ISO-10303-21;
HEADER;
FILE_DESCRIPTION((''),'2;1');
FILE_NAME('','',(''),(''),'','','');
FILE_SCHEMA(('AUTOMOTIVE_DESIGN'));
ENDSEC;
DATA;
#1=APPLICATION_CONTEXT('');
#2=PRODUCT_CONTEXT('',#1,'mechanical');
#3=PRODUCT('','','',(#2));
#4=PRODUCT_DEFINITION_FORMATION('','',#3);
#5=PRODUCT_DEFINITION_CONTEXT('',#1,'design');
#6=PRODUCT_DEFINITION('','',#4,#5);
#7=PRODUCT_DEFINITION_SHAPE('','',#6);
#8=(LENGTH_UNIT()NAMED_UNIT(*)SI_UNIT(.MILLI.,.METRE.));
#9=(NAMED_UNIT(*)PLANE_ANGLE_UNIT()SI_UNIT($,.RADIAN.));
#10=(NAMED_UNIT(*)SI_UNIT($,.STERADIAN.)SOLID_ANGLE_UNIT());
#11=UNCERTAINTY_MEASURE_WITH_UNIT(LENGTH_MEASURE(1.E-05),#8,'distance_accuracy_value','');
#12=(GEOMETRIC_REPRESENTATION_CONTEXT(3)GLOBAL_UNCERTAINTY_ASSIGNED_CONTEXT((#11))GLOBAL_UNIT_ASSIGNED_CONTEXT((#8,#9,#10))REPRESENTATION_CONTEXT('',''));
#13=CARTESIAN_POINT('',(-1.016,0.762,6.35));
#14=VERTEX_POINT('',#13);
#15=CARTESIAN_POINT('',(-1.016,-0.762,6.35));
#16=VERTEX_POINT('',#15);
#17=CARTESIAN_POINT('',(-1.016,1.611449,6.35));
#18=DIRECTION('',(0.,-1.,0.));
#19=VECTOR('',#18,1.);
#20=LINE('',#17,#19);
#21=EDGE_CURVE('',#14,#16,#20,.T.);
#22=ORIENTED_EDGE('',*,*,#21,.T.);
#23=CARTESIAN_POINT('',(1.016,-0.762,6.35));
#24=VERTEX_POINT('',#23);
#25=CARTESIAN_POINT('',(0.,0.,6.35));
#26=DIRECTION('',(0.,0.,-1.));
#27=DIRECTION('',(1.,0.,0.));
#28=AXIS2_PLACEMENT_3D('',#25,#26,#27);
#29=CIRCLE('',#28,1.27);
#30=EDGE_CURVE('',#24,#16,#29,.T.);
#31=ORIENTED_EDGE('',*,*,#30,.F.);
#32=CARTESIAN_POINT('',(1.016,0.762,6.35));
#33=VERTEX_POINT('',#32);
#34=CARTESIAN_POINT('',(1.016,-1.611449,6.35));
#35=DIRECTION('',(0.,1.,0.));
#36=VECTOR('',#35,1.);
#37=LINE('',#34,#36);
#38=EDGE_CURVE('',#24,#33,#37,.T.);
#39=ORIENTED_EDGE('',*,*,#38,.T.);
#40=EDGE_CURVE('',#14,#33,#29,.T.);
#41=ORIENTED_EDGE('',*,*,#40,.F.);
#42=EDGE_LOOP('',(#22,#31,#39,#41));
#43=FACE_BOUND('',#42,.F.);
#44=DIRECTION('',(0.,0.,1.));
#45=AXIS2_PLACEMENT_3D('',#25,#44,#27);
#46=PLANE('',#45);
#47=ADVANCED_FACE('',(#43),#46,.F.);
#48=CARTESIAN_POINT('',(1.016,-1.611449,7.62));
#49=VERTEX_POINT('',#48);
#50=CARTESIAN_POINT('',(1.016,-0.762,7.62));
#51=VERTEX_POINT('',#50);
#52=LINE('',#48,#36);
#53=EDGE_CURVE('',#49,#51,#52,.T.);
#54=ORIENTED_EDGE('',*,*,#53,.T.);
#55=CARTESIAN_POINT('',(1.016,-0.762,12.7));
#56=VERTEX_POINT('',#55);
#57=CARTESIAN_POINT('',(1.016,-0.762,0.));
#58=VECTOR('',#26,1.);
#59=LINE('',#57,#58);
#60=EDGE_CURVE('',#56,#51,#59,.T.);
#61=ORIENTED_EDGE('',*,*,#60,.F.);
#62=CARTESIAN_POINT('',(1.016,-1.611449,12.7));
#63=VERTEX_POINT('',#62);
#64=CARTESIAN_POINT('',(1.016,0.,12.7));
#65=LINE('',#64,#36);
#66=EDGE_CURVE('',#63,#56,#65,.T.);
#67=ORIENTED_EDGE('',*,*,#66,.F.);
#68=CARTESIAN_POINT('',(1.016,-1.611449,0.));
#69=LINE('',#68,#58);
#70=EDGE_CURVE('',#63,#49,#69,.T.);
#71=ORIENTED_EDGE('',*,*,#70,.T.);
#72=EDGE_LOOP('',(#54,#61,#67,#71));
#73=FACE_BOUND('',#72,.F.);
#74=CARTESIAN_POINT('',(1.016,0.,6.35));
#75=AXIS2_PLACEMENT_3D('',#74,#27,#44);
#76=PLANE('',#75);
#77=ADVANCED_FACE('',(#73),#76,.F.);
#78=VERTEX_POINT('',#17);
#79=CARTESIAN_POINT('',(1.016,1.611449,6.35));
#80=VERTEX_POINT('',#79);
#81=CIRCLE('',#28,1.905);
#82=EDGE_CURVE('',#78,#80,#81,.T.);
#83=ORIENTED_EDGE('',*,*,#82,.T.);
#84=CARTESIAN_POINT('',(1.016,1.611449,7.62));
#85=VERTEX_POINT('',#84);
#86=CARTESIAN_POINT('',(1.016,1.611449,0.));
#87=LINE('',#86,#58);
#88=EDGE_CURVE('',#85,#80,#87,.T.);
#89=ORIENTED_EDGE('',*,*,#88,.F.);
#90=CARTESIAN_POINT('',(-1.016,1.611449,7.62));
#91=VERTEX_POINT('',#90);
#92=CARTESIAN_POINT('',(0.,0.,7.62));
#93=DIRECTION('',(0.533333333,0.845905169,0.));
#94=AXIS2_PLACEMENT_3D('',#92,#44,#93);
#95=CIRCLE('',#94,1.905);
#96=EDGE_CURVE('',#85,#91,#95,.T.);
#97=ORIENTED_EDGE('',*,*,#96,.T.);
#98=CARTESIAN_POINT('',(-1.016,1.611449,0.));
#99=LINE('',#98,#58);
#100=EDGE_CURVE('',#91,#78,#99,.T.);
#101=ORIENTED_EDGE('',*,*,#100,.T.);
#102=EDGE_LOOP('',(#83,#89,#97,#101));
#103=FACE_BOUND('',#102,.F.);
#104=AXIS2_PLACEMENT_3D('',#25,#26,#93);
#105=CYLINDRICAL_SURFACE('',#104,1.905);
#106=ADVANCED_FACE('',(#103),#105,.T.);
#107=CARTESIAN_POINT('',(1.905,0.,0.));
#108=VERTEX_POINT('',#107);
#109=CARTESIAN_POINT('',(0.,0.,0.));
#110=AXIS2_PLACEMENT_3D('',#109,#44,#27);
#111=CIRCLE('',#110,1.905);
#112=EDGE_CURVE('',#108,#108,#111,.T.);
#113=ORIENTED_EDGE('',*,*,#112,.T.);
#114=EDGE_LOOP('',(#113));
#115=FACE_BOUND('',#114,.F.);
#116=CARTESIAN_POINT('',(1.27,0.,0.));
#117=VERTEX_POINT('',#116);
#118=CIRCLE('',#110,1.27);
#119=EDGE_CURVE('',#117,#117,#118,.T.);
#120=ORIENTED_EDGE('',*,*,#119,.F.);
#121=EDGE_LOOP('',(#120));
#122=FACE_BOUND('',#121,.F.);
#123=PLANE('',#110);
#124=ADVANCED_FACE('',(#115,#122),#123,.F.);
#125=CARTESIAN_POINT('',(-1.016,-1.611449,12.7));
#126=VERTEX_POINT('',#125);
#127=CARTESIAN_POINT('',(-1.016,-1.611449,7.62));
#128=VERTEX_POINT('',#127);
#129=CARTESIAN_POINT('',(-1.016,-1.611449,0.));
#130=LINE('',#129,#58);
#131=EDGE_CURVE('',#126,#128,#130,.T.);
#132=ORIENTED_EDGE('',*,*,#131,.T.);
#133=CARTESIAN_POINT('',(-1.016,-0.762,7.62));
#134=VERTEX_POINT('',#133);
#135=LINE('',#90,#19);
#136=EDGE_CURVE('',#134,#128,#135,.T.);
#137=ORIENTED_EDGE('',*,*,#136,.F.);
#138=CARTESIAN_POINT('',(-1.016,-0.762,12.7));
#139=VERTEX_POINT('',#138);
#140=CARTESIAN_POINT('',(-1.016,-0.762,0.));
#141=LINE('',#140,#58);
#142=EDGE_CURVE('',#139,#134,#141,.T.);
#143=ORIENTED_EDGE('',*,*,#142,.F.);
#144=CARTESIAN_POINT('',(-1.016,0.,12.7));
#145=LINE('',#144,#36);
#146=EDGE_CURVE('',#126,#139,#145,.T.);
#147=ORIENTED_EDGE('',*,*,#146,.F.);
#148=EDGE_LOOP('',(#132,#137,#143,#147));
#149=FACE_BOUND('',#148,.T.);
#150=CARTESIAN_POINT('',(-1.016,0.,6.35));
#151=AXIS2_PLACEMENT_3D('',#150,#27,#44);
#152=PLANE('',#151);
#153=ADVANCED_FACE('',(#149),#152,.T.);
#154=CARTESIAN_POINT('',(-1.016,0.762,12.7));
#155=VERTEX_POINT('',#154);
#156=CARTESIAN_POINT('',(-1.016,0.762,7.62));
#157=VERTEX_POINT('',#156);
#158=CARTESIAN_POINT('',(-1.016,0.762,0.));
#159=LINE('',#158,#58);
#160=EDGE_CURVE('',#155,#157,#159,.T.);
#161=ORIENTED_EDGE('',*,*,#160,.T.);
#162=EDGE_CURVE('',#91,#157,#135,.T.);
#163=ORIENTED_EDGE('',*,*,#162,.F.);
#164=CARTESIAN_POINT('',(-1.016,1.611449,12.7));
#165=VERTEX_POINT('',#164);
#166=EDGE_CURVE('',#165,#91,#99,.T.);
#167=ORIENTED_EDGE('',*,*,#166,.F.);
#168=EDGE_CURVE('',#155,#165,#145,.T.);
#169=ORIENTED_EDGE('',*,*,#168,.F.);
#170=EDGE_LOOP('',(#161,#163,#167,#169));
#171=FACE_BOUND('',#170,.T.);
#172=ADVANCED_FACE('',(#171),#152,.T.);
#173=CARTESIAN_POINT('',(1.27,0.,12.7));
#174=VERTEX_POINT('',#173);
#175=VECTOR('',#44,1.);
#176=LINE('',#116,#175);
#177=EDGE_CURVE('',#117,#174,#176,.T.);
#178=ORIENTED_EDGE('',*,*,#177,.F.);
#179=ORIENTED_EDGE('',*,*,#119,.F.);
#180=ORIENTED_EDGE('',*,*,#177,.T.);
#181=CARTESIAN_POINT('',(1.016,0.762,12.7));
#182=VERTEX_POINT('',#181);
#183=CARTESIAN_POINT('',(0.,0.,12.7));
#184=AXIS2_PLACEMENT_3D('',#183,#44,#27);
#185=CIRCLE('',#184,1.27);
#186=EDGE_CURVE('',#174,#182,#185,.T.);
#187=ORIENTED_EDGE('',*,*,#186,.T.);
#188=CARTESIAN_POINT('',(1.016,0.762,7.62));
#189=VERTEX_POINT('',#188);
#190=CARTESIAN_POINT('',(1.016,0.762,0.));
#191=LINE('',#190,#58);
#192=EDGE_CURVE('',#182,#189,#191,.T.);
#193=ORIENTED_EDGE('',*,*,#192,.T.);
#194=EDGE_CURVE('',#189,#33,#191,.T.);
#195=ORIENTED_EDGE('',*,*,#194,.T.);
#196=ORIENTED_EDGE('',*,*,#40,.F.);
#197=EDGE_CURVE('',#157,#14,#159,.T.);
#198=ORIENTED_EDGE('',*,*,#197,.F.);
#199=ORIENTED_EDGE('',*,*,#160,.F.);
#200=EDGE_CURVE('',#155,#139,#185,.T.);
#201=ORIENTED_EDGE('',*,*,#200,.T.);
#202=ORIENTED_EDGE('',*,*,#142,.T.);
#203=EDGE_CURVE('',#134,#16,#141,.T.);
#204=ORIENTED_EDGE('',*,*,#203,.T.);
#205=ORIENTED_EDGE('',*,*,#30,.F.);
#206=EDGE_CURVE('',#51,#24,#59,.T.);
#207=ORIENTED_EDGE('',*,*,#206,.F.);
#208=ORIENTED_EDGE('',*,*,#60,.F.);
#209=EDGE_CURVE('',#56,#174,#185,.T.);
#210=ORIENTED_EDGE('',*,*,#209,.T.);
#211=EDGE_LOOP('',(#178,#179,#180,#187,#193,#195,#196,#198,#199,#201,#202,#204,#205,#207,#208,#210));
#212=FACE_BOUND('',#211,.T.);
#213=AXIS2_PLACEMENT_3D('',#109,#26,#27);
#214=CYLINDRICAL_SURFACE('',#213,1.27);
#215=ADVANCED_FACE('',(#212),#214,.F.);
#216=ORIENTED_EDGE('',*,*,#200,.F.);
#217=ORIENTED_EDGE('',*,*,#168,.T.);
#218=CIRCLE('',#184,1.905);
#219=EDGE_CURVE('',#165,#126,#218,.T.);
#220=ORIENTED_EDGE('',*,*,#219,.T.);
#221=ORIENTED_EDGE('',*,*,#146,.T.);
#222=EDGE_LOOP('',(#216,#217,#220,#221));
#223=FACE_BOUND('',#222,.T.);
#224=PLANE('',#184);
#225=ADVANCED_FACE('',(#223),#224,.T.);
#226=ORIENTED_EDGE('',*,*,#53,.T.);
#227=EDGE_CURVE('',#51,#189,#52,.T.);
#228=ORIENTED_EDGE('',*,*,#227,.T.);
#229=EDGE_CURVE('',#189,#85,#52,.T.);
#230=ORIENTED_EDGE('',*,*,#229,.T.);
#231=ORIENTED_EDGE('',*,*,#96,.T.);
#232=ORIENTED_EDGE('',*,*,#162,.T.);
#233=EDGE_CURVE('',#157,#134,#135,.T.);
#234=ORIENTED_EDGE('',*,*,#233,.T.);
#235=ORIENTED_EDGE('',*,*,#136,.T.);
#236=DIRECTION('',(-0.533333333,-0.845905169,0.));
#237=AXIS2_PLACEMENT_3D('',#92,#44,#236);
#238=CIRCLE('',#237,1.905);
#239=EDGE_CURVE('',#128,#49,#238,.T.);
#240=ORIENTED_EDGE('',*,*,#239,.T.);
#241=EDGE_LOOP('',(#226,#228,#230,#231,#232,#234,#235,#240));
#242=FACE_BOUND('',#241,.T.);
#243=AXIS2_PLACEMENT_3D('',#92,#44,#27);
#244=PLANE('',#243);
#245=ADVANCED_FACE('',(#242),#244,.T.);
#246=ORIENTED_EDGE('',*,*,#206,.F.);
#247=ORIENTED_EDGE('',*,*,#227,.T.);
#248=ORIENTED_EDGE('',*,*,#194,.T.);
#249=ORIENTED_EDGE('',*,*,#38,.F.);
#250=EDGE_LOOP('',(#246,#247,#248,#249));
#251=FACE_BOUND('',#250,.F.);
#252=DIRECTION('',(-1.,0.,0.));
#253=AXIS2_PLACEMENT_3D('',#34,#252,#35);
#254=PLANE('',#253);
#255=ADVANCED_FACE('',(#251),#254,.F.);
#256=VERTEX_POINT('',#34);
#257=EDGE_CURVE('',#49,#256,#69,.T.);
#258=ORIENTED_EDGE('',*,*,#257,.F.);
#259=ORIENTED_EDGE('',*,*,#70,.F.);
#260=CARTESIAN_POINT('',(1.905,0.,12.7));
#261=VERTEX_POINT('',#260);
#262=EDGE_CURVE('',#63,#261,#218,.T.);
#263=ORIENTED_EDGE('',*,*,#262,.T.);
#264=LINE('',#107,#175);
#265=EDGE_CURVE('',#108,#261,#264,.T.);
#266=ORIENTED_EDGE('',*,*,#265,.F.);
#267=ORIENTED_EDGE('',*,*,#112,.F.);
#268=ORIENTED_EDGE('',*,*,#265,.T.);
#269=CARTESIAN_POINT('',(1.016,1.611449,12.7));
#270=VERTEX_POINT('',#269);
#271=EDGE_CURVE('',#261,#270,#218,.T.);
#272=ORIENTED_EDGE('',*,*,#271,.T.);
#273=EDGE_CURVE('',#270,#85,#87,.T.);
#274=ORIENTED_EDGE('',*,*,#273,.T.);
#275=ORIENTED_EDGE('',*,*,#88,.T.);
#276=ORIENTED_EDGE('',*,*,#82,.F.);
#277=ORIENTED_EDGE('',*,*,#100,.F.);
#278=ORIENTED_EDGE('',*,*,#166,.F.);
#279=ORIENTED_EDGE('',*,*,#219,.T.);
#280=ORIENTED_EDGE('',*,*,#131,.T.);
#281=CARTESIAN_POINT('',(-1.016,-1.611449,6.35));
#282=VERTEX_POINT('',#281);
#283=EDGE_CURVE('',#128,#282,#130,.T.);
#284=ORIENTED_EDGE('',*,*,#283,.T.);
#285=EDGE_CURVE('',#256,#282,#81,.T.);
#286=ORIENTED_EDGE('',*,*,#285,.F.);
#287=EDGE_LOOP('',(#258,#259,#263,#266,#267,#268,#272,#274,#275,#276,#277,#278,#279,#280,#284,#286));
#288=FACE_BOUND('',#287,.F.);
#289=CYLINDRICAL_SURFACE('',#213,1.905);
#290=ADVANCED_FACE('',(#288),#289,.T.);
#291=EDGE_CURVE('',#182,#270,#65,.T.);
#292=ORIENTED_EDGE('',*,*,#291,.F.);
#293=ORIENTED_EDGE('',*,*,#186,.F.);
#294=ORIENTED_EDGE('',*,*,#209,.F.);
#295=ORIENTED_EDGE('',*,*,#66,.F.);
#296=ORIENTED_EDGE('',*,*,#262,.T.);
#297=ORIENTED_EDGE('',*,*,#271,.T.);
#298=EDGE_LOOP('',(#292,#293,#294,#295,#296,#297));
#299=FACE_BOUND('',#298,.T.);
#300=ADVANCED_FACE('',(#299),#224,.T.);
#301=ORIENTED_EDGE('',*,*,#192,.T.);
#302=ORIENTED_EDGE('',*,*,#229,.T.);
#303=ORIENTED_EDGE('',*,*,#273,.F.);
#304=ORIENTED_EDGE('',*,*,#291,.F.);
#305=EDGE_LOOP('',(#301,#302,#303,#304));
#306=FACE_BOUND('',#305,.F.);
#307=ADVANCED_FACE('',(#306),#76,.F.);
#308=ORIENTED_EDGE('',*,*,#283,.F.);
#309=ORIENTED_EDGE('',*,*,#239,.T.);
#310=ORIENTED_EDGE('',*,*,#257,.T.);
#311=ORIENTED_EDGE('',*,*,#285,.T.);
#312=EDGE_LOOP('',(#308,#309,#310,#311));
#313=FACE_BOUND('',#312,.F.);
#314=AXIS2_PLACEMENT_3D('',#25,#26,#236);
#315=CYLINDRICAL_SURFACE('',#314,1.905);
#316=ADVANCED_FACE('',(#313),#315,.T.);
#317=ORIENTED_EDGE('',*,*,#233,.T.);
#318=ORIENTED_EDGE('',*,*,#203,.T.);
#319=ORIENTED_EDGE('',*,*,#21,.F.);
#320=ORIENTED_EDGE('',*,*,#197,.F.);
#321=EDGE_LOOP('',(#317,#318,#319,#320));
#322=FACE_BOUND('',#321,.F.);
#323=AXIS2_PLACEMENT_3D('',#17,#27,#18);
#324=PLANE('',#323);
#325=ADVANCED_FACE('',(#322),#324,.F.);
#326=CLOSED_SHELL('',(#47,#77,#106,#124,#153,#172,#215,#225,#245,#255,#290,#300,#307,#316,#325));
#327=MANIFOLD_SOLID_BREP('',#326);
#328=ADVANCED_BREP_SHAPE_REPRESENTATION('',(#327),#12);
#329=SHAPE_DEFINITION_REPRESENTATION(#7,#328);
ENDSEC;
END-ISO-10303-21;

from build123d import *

# Parameters (mm, degrees)
F0_R     = 1.905
F0_R_2   = 1.27
F1_DEPTH = 12.7
F2_W     = 2.032
F2_H     = 13.7110514179
F3_DEPTH = 12.7
F5_DEPTH = 1.27


with BuildPart() as f1:
    # F0 (on Top) → F1 (new body)
    with BuildSketch(Plane.XY):
        Circle(F0_R)
        Circle(F0_R_2, mode=Mode.SUBTRACT)
    extrude(amount=F1_DEPTH)

    # F2 (on Front) → F3 (cut, symmetric)
    with BuildSketch(Plane.XZ):
        with Locations((0, 13.2055257089)):
            Rectangle(F2_W, F2_H)
    extrude(amount=F3_DEPTH, both=True, mode=Mode.SUBTRACT)

    # F4 (on face) → F5 (join)
    with BuildSketch(Plane.XY.offset(6.35)):
        with BuildLine():
            Line((-1.016, 1.6114493476), (-1.016, -1.6114493476))
            ThreePointArc((-1.016, -1.6114493476), (0, -1.905), (1.016, -1.6114493476))
            Line((1.016, -1.6114493476), (1.016, 1.6114493476))
            ThreePointArc((1.016, 1.6114493476), (0, 1.905), (-1.016, 1.6114493476))
        make_face()
    extrude(amount=F5_DEPTH)


solid = f1.part
